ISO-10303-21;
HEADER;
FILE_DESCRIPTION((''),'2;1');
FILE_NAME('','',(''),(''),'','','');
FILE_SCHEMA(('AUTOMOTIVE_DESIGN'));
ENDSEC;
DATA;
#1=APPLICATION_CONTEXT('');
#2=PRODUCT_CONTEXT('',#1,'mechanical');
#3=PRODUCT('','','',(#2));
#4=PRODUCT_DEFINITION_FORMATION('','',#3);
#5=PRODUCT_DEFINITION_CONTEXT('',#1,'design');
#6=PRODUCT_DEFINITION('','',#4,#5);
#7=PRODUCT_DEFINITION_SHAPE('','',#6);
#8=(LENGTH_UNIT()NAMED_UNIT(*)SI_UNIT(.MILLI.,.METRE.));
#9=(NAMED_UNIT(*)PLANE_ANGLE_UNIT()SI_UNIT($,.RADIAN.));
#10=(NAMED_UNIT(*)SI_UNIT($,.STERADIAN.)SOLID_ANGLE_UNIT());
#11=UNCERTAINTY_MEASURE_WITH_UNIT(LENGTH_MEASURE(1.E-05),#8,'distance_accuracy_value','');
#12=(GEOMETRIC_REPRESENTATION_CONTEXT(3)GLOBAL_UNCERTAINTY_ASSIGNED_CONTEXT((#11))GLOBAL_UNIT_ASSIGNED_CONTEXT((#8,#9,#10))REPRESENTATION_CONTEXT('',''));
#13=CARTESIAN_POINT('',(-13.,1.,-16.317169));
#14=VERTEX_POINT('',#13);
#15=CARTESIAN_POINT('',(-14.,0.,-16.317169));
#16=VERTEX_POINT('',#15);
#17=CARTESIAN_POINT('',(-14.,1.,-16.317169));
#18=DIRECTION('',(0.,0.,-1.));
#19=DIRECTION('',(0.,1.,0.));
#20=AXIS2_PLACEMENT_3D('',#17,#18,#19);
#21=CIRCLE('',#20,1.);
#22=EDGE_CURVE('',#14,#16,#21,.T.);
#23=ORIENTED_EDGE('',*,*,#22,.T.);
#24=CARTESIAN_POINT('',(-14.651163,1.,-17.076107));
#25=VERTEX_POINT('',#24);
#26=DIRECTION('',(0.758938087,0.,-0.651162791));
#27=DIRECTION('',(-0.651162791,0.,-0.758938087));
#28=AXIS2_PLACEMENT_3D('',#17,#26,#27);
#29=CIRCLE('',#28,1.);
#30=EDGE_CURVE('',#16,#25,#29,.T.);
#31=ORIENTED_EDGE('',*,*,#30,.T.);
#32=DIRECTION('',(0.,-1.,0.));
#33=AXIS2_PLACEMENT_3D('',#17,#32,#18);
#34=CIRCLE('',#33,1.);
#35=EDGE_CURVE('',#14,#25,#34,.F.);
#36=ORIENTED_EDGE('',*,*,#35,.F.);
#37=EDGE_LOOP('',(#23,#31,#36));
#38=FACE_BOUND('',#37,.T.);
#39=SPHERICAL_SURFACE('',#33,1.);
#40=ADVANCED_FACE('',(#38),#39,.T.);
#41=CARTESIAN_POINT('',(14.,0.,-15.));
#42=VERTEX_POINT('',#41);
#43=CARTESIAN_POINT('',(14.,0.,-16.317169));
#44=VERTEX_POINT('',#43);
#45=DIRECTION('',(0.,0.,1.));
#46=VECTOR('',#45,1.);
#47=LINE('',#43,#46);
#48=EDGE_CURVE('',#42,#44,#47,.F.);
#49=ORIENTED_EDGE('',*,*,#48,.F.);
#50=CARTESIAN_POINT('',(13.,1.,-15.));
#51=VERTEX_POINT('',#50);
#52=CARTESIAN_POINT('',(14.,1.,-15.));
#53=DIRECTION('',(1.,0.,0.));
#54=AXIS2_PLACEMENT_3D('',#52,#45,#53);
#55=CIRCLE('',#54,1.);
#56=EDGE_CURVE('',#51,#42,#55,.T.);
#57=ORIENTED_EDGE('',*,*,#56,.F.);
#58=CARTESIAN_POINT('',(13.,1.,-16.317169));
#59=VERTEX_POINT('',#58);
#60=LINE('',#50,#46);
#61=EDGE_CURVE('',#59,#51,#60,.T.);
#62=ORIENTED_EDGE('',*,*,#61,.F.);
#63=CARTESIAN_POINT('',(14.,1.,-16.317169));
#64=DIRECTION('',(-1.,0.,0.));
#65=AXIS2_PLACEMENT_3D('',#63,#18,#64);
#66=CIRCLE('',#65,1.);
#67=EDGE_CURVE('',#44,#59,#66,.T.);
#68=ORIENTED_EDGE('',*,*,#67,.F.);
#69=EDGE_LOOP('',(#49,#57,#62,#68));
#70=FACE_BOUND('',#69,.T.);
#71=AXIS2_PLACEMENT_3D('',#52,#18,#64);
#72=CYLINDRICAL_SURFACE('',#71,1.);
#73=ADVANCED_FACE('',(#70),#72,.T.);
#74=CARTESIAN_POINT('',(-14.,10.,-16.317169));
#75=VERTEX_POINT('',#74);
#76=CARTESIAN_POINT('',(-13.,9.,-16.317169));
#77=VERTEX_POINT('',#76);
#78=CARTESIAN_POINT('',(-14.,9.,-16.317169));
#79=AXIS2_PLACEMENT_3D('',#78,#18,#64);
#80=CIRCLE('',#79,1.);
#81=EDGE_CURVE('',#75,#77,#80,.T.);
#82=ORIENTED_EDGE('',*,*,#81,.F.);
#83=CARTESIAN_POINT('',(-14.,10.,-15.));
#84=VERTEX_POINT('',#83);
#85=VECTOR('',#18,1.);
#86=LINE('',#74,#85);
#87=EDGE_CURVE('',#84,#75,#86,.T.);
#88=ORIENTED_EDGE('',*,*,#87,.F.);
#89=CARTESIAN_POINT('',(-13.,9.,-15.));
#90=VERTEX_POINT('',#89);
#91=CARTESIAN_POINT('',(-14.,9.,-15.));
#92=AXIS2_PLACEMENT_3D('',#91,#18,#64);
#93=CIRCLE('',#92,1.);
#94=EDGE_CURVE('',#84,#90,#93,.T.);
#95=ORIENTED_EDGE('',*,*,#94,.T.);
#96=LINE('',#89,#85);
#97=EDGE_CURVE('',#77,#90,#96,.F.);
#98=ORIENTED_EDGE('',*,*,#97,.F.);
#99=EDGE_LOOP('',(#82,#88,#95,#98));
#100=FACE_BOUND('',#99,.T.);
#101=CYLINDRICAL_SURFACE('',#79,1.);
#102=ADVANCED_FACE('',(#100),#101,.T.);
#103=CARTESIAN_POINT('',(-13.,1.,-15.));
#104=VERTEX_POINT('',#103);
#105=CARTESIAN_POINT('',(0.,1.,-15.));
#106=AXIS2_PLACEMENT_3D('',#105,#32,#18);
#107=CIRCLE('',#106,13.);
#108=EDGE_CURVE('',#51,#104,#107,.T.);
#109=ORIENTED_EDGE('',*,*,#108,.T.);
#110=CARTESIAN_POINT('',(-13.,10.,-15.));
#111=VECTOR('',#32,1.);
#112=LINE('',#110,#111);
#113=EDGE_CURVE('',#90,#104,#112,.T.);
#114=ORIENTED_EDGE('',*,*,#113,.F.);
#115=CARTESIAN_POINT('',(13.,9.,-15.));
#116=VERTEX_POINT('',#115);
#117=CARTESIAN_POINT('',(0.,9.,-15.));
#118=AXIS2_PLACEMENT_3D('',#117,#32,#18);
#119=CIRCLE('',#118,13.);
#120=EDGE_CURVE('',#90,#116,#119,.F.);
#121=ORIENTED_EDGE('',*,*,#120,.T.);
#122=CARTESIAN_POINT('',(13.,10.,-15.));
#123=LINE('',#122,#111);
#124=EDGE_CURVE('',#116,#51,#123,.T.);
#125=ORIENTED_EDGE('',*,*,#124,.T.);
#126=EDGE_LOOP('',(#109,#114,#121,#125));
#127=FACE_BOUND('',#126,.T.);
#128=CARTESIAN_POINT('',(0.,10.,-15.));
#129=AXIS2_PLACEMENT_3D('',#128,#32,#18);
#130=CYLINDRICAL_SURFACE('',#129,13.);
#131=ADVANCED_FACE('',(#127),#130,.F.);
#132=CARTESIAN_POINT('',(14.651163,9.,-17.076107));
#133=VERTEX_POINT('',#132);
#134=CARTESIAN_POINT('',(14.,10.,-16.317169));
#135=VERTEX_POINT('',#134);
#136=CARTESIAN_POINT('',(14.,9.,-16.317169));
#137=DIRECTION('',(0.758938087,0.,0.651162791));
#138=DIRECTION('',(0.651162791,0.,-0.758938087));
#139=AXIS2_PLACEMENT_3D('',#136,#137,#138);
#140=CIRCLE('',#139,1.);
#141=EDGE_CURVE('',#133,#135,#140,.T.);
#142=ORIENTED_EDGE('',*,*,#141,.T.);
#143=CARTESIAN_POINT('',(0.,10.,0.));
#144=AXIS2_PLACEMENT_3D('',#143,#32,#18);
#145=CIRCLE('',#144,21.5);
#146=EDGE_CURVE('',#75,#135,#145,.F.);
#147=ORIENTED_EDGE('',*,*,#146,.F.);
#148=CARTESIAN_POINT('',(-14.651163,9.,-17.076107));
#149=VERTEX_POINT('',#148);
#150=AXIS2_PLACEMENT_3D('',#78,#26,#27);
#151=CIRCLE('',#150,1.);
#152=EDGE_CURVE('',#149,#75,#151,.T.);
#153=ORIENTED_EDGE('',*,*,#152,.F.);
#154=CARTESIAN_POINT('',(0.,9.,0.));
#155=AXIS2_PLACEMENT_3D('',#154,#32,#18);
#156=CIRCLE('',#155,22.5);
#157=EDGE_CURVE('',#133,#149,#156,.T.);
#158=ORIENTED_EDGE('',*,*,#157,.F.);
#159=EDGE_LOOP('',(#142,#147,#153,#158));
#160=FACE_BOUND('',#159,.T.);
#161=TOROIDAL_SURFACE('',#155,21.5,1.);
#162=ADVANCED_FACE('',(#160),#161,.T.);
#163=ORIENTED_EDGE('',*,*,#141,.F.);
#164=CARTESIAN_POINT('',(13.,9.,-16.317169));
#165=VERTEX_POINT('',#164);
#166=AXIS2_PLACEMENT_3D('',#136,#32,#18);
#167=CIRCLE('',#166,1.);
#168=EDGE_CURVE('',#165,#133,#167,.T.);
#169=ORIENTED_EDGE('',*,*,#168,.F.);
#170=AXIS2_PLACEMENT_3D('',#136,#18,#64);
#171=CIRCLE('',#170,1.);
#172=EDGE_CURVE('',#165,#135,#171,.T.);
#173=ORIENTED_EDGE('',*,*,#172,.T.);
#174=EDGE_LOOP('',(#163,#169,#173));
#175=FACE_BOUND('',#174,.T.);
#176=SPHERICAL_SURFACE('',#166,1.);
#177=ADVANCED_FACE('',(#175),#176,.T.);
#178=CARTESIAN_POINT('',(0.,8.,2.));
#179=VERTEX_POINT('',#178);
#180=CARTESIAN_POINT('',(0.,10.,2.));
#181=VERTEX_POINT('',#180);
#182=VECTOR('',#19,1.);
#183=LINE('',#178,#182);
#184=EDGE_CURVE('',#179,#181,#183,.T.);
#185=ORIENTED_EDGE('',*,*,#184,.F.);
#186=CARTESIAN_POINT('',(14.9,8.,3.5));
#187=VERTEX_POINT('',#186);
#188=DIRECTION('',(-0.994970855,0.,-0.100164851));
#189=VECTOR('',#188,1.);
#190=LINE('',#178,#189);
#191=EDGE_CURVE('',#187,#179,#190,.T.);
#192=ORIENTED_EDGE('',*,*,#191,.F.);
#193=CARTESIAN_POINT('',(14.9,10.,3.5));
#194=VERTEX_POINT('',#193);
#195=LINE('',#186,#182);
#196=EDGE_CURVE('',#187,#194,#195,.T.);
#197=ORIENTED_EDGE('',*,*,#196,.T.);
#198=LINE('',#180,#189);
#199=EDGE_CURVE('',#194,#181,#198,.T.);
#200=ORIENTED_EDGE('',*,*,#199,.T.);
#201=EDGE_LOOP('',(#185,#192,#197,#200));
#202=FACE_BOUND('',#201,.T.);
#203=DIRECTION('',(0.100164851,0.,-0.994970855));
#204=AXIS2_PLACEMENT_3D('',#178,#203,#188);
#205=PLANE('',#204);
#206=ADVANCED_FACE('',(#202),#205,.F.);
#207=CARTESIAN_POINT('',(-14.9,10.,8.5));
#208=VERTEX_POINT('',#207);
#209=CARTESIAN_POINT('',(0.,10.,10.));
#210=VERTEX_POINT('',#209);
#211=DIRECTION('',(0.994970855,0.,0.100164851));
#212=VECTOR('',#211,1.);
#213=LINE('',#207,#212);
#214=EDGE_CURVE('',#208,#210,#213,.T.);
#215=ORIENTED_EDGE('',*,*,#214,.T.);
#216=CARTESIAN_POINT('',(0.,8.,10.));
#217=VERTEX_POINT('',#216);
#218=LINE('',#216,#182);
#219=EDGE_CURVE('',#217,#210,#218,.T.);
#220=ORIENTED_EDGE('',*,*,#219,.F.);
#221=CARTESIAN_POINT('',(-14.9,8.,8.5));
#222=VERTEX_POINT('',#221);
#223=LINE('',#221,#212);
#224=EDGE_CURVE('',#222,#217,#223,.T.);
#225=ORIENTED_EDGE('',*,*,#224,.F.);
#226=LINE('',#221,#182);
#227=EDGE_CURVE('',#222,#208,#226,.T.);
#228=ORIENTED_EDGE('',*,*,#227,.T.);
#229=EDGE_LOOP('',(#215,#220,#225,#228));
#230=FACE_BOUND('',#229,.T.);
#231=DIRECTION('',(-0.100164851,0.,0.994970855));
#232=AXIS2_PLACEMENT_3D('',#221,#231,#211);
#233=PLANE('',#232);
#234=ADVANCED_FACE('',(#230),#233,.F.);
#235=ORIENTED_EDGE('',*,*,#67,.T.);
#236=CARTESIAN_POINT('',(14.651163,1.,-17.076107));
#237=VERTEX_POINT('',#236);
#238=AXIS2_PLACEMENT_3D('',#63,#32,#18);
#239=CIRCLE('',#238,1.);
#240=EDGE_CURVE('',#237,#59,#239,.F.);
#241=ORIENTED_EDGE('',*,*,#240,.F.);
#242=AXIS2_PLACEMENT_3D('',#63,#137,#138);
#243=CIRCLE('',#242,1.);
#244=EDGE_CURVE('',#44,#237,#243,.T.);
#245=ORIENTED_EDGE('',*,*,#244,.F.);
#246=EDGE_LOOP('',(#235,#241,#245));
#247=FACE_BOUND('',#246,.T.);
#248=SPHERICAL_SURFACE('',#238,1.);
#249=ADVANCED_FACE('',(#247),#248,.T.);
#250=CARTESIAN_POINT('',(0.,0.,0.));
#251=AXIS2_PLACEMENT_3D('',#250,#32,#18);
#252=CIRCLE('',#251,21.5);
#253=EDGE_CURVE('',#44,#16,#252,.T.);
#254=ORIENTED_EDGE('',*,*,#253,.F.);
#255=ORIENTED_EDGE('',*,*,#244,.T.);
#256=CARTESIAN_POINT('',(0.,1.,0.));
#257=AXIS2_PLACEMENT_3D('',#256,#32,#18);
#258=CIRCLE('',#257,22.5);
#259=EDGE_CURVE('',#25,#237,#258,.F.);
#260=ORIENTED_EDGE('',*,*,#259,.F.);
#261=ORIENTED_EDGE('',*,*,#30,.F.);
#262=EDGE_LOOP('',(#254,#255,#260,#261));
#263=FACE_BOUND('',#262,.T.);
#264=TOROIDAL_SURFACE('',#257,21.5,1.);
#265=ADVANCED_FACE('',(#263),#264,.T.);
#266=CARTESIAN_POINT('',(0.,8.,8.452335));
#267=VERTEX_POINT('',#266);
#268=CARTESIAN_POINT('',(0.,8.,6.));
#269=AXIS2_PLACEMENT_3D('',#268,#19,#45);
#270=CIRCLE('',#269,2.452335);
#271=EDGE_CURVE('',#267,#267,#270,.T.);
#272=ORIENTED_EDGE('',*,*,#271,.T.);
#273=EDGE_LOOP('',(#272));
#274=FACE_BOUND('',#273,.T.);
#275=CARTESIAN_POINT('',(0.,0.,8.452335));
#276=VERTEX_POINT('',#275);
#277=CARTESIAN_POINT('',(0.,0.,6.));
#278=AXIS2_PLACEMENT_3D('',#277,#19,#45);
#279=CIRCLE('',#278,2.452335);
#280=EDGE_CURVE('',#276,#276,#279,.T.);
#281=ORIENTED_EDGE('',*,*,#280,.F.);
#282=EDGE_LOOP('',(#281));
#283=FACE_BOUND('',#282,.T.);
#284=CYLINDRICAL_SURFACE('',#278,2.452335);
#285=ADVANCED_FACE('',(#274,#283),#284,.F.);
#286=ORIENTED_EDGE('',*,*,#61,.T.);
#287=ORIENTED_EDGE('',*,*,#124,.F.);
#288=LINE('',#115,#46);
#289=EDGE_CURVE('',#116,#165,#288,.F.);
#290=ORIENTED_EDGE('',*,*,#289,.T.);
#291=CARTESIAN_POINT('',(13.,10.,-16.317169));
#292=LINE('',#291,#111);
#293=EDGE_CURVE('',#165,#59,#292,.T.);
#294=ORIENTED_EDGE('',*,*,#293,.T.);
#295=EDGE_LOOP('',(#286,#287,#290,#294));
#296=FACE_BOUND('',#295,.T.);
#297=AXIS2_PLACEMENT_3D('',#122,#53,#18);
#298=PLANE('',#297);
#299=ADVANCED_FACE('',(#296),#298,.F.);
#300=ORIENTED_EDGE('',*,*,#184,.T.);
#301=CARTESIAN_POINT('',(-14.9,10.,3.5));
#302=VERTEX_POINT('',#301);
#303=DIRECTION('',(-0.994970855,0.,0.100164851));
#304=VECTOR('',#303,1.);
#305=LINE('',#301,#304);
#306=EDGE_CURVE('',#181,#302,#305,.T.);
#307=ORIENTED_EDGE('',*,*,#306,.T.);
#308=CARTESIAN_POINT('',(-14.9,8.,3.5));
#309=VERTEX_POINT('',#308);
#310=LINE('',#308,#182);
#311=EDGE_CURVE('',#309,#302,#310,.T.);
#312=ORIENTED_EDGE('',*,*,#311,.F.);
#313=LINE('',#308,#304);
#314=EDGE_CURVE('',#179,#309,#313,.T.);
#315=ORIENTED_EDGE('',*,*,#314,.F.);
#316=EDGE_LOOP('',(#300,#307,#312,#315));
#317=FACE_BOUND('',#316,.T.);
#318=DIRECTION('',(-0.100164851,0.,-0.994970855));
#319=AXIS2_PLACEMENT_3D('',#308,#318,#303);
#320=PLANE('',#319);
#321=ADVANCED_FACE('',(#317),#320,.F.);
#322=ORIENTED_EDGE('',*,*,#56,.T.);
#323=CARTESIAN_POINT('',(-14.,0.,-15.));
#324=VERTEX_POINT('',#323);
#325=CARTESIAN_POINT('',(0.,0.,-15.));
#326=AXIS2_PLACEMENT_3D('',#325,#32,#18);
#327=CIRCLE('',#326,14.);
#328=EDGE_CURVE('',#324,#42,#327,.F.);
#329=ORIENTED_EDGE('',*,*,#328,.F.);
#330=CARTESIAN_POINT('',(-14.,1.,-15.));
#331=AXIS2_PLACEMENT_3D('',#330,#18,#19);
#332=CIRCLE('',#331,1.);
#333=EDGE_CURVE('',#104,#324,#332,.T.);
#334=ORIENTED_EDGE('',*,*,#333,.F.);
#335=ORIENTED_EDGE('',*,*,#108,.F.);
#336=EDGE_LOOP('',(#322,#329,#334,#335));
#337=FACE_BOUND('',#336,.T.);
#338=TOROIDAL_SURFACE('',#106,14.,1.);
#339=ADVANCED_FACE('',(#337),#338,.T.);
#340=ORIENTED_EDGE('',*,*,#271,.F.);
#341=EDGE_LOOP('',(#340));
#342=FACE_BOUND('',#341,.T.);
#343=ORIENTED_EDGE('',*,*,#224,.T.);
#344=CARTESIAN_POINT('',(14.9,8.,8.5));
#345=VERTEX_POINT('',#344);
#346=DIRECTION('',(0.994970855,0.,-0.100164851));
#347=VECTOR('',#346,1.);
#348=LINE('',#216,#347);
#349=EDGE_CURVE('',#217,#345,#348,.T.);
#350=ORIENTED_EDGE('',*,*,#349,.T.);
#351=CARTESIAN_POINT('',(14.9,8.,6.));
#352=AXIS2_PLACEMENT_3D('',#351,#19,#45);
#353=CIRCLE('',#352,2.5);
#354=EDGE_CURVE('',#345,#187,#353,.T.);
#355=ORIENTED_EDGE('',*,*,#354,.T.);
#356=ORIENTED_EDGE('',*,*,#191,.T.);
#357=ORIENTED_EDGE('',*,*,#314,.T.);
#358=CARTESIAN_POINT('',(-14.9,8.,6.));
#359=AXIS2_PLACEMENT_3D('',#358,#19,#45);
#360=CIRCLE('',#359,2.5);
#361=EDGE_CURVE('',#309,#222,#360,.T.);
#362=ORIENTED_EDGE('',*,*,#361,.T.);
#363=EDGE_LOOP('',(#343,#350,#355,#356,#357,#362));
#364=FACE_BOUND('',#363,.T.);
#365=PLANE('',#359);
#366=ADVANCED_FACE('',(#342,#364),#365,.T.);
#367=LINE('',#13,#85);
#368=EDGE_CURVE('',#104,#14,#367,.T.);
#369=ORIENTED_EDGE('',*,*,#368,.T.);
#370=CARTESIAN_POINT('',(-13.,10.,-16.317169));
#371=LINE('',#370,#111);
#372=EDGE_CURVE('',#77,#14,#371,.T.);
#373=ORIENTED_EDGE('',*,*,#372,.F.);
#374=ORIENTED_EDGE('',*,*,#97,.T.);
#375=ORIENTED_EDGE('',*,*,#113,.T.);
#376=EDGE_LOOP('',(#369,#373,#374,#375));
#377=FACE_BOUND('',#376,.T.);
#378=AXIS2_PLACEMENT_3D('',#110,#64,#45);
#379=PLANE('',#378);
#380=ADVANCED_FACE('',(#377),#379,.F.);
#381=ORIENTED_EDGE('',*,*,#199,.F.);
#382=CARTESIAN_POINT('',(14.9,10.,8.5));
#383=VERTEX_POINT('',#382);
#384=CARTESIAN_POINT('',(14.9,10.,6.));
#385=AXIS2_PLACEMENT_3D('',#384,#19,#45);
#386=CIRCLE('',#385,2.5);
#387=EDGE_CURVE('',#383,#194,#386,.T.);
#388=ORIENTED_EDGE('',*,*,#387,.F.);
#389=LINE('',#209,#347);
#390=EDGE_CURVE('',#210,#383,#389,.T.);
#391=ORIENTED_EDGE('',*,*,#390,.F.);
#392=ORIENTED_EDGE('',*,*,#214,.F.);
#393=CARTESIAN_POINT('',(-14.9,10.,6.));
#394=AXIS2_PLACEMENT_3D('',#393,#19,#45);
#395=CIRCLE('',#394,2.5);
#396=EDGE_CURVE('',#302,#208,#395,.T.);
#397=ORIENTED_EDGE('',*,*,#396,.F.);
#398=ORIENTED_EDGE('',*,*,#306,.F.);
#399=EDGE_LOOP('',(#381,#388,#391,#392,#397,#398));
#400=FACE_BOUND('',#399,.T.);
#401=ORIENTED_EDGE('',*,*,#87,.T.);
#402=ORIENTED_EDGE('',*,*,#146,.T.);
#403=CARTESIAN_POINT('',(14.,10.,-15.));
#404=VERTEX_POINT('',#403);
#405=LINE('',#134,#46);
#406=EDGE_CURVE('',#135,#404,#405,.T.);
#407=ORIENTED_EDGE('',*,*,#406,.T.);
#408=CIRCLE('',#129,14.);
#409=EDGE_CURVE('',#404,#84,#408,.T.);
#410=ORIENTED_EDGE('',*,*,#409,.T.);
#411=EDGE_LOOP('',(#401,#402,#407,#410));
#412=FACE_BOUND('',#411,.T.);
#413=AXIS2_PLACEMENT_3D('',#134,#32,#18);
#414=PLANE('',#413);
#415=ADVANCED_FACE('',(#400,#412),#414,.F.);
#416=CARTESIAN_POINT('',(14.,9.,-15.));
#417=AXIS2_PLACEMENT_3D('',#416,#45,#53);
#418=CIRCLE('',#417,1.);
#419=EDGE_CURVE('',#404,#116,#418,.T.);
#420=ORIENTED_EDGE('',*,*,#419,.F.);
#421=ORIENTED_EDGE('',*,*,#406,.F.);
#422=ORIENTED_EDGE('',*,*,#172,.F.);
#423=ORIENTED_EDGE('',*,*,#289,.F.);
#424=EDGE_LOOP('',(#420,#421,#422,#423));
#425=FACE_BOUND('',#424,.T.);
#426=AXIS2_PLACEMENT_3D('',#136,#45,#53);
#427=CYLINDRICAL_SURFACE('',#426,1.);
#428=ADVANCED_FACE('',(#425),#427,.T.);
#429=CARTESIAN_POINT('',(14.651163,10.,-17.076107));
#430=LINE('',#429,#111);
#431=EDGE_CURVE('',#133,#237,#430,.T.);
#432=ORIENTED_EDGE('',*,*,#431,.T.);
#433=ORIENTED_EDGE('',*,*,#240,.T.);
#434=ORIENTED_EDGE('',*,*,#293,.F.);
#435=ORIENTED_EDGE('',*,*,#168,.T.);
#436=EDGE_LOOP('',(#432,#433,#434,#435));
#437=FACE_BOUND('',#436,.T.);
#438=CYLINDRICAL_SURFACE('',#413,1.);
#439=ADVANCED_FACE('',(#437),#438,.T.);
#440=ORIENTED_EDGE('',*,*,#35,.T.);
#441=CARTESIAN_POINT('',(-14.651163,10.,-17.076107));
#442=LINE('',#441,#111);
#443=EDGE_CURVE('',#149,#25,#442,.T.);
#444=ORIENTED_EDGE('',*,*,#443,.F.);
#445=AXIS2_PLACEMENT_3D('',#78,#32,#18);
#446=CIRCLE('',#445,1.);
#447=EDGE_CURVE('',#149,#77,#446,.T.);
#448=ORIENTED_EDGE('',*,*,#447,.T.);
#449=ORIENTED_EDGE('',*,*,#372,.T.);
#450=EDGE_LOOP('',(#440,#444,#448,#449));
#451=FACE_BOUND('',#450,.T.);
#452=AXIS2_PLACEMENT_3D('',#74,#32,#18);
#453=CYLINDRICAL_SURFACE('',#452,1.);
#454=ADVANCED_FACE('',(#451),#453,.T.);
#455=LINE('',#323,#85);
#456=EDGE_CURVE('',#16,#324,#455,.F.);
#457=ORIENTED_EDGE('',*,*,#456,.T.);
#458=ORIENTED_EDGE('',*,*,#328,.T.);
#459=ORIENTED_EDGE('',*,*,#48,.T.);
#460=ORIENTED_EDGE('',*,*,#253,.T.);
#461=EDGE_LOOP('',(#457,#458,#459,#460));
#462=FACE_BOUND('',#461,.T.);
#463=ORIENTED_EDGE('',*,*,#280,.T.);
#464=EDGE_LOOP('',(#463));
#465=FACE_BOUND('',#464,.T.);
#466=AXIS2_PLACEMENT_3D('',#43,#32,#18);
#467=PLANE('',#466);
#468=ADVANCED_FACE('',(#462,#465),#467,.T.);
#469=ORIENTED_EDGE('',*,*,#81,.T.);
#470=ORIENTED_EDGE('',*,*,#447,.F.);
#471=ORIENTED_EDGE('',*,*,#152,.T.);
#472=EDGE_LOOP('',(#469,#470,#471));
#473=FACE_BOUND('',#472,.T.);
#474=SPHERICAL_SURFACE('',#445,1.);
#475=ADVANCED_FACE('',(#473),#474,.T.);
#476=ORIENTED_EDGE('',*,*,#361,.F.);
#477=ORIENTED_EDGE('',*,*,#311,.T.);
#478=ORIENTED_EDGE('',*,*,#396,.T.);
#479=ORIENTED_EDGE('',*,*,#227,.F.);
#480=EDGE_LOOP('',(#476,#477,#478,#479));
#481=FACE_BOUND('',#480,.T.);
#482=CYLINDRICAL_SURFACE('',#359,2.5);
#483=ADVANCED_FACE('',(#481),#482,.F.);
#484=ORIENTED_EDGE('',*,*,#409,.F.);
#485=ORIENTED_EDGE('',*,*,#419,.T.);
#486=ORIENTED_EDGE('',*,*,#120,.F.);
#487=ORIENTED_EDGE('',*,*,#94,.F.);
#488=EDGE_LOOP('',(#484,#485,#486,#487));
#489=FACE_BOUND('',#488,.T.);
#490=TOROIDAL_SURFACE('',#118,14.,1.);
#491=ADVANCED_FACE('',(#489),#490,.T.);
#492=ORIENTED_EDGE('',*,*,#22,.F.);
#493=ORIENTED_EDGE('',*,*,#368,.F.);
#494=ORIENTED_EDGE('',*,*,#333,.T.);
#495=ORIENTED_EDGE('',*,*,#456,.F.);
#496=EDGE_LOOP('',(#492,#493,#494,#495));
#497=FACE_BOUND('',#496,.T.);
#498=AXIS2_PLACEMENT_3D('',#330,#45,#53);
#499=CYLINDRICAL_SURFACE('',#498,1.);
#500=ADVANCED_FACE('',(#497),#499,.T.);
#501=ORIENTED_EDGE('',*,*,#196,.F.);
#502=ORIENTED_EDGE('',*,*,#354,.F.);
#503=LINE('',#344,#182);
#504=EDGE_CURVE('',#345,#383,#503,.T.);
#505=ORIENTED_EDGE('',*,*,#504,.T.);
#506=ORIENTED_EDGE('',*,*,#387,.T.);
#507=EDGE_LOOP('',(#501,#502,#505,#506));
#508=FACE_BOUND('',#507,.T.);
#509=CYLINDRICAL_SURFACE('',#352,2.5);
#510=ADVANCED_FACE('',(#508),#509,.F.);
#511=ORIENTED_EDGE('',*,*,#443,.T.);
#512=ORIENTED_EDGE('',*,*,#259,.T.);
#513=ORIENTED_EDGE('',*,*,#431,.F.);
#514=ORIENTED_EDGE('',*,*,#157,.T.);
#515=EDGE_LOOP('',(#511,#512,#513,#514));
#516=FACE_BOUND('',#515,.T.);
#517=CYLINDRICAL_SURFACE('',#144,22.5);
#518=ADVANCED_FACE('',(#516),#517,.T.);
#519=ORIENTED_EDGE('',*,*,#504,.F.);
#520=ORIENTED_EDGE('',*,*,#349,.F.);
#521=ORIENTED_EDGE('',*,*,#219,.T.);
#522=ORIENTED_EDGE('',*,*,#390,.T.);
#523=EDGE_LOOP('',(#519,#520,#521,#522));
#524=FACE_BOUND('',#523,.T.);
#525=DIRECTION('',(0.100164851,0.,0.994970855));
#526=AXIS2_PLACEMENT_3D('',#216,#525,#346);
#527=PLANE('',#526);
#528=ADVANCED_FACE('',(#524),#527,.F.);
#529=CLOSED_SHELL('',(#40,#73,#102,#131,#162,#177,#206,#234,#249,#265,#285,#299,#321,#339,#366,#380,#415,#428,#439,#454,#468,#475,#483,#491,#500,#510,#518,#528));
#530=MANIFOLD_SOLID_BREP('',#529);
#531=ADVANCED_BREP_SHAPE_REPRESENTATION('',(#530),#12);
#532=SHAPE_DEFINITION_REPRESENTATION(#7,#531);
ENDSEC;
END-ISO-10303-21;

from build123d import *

# Parameters (mm, degrees)
BOSS_EXTRUDE1_DEPTH = 10
SKETCH4_R           = 2.452335066
CUT_EXTRUDE2_DEPTH  = 2
SKETCH4_2_R         = 2.452335066
CUT_EXTRUDE3_DEPTH  = 34.35416016
FILLET2_R           = 1


with BuildPart() as part:
    # Sketch2 → Boss-Extrude1 (new body)
    with BuildSketch(Plane(origin=(0, 0, 0), x_dir=(1, 0, 0), z_dir=(0, 1, 0))):
        with BuildLine():
            Line((-13, 15), (-13, 16.317168872))
            ThreePointArc((-13, 16.317168872), (-13.582365465, 17.22578397), (-14.651162791, 17.076106959))
            ThreePointArc((-14.651162791, 17.076106959), (0, -22.5), (14.651162791, 17.076106959))
            ThreePointArc((14.651162791, 17.076106959), (13.582365465, 17.22578397), (13, 16.317168872))
            Line((13, 16.317168872), (13, 15))
            ThreePointArc((13, 15), (0, 2), (-13, 15))
        make_face()
    extrude(amount=BOSS_EXTRUDE1_DEPTH)

    # Sketch4 → Cut-Extrude2 (cut)
    with BuildSketch(Plane(origin=(0, 10, 0), x_dir=(1, 0, 0), z_dir=(0, 1, 0))):
        with BuildLine():
            Line((-14.9, -3.5), (0, -2))
            Line((0, -2), (14.9, -3.5))
            ThreePointArc((14.9, -3.5), (17.4, -6), (14.9, -8.5))
            Line((14.9, -8.5), (0, -10))
            Line((0, -10), (-14.9, -8.5))
            ThreePointArc((-14.9, -8.5), (-17.4, -6), (-14.9, -3.5))
        make_face()
        with Locations((0, -6)):
            Circle(SKETCH4_R, mode=Mode.SUBTRACT)
    extrude(amount=-CUT_EXTRUDE2_DEPTH, mode=Mode.SUBTRACT)

    # Sketch4<2> → Cut-Extrude3 (cut, through all)
    with BuildSketch(Plane(origin=(0, 10, 0), x_dir=(1, 0, 0), z_dir=(0, 1, 0))):
        with Locations((0, -6)):
            Circle(SKETCH4_2_R)
    extrude(amount=-CUT_EXTRUDE3_DEPTH, mode=Mode.SUBTRACT)

    # Fillet2
    fillet2_edges = [part.edges().sort_by_distance(p)[0] for p in [
        (0, 0, 22.5),
        (0, 10, 22.5),
        (0, 0, -2),
        (13, 0, -15.658584436),
        (0, 10, -2),
        (13, 10, -15.658584436),
        (-13, 0, -15.658584436),
        (-13.582365465, 0, -17.22578397),
        (13.582365465, 0, -17.22578397),
        (-13, 10, -15.658584436),
        (-13.582365465, 10, -17.22578397),
        (13.582365465, 10, -17.22578397),
    ]]
    fillet(fillet2_edges, radius=FILLET2_R)


solid = part.part
